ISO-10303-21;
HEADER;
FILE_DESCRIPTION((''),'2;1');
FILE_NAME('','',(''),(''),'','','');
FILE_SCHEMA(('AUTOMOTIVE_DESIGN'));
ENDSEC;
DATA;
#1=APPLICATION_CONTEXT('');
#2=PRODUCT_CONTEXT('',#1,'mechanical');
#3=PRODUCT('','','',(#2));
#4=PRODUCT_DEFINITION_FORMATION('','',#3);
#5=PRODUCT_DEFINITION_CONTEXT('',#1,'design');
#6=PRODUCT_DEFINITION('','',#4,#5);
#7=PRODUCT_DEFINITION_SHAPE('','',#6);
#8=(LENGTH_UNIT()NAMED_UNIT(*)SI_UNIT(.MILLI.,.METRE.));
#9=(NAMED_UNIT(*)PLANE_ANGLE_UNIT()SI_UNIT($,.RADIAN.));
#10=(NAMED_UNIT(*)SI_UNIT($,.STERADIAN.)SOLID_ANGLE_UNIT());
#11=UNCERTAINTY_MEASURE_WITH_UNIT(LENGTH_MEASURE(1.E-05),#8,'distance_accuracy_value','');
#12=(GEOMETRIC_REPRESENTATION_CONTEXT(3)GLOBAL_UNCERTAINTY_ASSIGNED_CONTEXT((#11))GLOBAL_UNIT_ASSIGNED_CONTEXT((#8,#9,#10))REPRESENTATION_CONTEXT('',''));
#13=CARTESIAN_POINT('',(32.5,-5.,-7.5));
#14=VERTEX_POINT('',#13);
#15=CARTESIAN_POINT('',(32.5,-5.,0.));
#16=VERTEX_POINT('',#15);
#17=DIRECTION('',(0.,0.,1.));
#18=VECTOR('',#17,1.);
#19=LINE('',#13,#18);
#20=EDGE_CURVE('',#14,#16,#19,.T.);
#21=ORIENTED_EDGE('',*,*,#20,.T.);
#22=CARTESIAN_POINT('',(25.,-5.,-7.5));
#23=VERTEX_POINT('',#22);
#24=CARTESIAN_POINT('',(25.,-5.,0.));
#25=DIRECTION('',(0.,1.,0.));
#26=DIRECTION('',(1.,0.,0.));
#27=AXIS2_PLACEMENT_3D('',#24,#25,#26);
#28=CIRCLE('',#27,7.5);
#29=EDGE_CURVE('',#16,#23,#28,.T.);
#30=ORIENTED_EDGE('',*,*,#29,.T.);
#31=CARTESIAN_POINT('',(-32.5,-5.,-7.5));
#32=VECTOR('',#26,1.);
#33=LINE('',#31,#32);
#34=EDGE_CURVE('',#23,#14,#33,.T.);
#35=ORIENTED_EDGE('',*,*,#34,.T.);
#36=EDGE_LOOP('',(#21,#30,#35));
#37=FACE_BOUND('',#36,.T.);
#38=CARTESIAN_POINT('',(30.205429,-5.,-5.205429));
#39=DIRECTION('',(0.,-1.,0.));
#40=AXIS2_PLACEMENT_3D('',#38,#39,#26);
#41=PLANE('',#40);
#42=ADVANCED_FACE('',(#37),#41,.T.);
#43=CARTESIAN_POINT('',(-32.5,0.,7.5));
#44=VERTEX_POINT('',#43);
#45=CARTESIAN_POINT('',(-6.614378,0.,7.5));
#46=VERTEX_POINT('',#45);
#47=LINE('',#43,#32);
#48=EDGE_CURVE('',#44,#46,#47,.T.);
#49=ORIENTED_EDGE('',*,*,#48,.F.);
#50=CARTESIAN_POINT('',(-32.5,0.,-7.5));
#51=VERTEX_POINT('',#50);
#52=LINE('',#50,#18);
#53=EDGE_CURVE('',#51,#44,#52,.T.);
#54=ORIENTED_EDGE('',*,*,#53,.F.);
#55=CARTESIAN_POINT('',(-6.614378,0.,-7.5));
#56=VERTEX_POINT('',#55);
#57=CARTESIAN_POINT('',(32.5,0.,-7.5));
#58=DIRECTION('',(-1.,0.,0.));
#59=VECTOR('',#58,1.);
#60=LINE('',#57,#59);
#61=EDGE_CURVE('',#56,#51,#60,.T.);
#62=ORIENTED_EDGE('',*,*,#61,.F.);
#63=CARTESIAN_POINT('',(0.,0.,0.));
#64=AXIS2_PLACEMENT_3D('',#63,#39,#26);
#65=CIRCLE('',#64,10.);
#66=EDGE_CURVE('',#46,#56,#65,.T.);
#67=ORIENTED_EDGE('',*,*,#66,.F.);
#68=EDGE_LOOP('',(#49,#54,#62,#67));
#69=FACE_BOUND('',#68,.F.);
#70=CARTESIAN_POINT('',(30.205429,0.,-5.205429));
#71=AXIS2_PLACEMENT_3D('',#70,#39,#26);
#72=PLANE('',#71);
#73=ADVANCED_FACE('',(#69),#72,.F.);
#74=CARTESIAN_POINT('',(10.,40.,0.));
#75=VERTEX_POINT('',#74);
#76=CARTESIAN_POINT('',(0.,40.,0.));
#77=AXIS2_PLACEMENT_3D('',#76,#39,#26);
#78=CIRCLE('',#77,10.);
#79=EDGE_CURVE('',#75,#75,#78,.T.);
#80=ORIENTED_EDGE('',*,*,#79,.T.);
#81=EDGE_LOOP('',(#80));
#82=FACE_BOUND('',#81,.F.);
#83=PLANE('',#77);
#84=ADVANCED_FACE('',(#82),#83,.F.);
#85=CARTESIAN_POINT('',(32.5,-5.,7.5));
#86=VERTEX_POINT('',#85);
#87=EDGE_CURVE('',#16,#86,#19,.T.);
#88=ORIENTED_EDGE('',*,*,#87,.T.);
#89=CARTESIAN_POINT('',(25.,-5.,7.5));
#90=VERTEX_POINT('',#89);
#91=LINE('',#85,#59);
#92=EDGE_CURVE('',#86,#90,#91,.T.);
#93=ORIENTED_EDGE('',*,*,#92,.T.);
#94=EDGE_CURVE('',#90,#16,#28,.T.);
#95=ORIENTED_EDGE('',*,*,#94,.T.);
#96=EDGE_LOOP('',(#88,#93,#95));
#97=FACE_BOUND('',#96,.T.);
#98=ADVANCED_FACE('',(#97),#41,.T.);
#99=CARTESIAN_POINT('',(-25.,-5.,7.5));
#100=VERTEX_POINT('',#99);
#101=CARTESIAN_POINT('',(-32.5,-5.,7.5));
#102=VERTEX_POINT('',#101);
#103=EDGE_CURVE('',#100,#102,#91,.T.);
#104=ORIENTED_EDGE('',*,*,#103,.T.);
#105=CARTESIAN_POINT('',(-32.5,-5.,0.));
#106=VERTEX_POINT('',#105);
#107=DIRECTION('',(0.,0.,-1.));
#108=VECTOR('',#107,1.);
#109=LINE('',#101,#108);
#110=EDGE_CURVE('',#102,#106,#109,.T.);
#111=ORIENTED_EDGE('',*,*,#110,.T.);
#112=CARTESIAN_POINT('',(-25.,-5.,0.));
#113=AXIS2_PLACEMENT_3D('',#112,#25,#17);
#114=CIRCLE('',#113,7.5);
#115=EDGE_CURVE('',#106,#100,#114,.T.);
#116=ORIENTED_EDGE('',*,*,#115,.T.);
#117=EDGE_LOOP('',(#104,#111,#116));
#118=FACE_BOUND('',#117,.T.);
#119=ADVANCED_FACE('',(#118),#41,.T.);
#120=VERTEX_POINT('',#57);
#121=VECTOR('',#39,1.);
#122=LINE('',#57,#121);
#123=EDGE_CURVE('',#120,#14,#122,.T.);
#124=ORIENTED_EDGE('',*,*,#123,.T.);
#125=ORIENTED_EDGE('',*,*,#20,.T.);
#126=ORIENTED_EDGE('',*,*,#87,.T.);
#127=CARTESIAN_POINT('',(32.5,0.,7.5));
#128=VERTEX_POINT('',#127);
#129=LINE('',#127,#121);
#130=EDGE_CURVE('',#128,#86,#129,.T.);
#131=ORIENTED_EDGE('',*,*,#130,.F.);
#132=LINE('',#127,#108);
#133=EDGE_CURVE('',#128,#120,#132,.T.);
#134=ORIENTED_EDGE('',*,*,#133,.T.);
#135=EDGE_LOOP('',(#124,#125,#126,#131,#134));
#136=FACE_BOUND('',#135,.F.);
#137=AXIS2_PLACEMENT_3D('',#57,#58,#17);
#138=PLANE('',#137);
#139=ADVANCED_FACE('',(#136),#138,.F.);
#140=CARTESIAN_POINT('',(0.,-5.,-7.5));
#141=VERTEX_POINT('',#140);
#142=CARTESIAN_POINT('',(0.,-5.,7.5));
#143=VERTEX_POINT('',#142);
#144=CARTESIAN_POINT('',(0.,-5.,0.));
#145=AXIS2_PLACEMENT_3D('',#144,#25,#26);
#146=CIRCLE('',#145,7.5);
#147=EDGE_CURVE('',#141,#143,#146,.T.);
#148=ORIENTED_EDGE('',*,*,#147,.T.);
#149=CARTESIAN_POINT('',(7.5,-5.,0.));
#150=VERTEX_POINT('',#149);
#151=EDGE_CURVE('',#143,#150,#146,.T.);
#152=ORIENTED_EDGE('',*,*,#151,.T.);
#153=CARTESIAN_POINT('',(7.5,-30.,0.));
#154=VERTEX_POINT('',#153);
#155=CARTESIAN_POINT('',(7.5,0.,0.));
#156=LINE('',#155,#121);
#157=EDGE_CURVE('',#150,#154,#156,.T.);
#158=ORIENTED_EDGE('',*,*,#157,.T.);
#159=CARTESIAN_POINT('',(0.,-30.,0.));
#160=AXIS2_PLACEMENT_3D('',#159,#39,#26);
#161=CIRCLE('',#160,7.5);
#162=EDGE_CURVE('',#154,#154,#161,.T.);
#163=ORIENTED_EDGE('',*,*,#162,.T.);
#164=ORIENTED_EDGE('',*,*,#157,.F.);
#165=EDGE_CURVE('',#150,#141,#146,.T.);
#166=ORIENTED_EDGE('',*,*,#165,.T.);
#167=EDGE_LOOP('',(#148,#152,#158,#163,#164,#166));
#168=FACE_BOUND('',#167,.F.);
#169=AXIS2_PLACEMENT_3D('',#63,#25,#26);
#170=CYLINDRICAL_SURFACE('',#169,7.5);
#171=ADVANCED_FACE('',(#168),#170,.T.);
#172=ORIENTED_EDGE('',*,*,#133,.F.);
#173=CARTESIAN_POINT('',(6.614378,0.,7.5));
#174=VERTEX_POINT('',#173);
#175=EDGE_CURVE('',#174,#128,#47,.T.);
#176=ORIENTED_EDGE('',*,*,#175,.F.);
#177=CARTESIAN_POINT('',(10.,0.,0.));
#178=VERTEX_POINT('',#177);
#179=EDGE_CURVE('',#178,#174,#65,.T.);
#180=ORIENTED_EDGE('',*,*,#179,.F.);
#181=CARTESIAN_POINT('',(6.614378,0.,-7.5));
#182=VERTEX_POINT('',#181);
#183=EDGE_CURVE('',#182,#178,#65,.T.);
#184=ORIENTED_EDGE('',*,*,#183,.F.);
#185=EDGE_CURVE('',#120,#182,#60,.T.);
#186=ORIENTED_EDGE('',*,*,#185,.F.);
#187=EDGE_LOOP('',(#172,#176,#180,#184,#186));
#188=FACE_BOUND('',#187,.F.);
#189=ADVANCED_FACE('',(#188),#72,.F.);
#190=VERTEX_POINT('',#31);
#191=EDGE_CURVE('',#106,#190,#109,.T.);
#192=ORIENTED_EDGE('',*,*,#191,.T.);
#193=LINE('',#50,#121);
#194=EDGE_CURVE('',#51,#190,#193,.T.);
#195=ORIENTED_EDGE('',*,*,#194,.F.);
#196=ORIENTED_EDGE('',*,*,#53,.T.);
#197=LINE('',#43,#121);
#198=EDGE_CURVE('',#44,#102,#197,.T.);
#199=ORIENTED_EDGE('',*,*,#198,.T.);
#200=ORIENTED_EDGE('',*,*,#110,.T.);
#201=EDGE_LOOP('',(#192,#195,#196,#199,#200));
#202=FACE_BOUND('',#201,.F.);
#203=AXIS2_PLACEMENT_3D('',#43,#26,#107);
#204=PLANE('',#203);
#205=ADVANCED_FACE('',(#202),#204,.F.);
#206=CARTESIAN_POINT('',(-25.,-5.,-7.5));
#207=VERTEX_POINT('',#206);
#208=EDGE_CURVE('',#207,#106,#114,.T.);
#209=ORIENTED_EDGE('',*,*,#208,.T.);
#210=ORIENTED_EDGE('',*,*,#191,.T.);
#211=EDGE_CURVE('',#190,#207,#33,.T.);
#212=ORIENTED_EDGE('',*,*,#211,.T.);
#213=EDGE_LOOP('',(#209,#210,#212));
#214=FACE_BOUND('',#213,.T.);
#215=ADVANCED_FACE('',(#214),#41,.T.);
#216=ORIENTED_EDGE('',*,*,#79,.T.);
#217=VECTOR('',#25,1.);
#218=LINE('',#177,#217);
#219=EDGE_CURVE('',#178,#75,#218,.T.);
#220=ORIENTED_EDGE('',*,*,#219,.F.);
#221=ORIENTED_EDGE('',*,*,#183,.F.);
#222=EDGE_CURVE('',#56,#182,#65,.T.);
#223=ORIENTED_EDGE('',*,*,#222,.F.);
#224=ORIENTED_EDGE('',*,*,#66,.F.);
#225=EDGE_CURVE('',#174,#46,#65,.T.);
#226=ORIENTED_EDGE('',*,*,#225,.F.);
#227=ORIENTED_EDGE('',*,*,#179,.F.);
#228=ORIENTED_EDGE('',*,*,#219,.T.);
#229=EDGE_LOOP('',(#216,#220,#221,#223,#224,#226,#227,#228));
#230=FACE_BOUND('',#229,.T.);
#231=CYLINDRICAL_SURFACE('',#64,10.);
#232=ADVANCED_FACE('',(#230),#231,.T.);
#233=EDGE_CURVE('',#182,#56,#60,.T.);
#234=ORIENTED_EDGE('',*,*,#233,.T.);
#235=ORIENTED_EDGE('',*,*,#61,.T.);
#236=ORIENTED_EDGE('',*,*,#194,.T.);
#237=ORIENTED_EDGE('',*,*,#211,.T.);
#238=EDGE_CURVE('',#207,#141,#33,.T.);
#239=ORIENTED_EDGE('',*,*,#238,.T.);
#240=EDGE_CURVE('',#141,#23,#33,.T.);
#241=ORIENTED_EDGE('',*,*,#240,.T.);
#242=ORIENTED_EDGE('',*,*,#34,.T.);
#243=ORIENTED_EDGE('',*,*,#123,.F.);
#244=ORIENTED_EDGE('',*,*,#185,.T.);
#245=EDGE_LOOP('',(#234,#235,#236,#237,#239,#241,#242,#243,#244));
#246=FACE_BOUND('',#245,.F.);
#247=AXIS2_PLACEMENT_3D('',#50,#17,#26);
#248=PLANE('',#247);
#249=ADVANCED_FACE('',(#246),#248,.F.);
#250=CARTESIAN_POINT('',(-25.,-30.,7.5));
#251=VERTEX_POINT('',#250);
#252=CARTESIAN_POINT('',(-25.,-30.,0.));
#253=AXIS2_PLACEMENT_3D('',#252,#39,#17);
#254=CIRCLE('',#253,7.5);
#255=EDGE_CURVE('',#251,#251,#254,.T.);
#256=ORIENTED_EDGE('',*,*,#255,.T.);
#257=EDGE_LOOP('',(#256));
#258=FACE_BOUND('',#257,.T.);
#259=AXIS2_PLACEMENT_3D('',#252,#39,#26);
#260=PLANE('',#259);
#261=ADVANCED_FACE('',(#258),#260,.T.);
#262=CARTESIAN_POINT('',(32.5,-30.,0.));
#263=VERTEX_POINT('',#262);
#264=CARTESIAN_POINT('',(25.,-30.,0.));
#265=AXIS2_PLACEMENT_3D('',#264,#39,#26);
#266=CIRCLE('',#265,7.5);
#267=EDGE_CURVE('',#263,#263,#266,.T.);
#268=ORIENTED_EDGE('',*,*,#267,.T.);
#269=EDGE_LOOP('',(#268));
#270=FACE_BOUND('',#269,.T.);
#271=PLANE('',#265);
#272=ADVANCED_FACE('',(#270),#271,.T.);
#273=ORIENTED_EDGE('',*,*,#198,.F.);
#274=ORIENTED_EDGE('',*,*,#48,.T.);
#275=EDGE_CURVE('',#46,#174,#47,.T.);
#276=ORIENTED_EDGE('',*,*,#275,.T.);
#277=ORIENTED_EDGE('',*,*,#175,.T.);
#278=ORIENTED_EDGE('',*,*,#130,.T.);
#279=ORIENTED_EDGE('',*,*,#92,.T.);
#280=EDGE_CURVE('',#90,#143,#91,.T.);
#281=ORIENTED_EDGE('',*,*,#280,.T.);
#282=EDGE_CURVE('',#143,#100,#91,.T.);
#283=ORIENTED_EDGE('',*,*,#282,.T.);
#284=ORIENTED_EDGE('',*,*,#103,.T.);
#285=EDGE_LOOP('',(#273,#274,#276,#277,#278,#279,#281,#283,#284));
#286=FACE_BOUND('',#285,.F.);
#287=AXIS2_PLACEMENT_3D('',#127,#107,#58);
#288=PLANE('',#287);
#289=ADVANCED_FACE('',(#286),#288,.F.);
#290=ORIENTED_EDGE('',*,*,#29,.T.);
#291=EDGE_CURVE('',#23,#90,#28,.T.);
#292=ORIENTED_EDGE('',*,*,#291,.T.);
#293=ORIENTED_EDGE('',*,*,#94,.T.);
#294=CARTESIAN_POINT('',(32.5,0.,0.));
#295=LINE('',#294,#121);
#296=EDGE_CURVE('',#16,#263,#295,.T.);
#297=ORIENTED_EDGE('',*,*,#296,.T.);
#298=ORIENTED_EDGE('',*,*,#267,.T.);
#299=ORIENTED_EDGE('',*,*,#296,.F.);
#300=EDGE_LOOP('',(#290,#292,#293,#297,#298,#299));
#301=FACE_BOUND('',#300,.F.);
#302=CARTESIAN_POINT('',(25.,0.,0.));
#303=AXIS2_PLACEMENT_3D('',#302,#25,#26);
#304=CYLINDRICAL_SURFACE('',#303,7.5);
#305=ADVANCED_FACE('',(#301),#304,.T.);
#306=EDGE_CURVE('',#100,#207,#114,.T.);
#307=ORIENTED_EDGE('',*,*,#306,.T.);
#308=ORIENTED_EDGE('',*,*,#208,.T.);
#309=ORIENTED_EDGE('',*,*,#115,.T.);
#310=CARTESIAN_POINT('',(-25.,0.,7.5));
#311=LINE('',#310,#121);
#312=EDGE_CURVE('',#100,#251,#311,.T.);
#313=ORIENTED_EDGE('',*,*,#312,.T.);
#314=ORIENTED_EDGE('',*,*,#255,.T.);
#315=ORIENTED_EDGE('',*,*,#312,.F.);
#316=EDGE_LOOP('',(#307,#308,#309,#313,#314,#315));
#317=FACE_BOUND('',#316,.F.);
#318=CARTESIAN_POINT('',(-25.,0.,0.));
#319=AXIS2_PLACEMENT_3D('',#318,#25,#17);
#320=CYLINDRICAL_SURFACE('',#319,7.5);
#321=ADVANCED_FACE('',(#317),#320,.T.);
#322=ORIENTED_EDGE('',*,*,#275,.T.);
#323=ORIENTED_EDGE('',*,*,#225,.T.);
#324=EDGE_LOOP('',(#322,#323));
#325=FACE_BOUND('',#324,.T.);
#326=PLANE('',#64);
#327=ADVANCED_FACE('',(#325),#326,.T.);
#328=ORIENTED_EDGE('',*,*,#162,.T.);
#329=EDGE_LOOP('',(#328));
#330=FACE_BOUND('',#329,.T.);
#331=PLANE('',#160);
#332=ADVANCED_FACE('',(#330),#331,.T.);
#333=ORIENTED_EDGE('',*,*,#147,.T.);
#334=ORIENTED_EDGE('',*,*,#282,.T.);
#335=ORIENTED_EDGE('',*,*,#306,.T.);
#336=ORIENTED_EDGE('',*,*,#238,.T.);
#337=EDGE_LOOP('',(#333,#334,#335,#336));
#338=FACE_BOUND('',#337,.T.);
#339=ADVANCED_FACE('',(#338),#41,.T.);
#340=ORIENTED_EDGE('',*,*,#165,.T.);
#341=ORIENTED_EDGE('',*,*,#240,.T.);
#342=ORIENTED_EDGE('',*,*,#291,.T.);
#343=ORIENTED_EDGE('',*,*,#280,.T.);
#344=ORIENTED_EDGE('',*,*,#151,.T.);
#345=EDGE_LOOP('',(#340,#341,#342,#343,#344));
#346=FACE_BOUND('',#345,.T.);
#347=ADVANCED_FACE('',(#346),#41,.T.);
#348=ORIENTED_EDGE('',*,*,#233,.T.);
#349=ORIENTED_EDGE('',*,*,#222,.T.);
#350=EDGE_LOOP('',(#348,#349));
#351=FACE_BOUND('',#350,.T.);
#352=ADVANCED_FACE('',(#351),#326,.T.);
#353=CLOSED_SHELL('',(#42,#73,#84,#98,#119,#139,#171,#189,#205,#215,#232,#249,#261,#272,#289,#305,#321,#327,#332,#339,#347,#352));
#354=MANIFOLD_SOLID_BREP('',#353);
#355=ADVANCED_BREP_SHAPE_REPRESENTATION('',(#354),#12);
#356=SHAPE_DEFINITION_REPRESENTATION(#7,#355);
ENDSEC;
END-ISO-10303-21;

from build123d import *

# Parameters (mm, degrees)
F1_DEPTH = 5
F2_DEPTH = 30
F3_R     = 10
F4_DEPTH = 40


with BuildPart() as f1:
    # F0 (on Front) → F1 (new body)
    with BuildSketch(Plane.XZ):
        with BuildLine():
            Line((25, -7.5), (32.5, -7.5))
            Line((32.5, -7.5), (32.5, 0))
            ThreePointArc((32.5, 0), (30.3033008589, -5.3033008589), (25, -7.5))
        make_face()
        with BuildLine():
            Line((-32.5, -7.5), (-25, -7.5))
            ThreePointArc((-25, -7.5), (-30.3033008589, -5.3033008589), (-32.5, 0))
            Line((-32.5, 0), (-32.5, -7.5))
        make_face()
        with BuildLine():
            ThreePointArc((25, 7.5), (30.3033008589, 5.3033008589), (32.5, 0))
            Line((32.5, 0), (32.5, 7.5))
            Line((32.5, 7.5), (25, 7.5))
        make_face()
        with BuildLine():
            Line((-32.5, 7.5), (-32.5, 0))
            ThreePointArc((-32.5, 0), (-30.3033008589, 5.3033008589), (-25, 7.5))
            Line((-25, 7.5), (-32.5, 7.5))
        make_face()
        with BuildLine():
            Line((-25, -7.5), (-2.86e-08, -7.5))
            ThreePointArc((-2.86e-08, -7.5), (-7.5, 1.43e-08), (0, 7.5))
            Line((0, 7.5), (-25, 7.5))
            ThreePointArc((-25, 7.5), (-19.6966991411, 5.3033008589), (-17.5, 0))
            ThreePointArc((-17.5, 0), (-19.6966991411, -5.3033008589), (-25, -7.5))
        make_face()
        with BuildLine():
            ThreePointArc((-32.5, 0), (-30.3033008589, -5.3033008589), (-25, -7.5))
            ThreePointArc((-25, -7.5), (-19.6966991411, -5.3033008589), (-17.5, 0))
            ThreePointArc((-17.5, 0), (-19.6966991411, 5.3033008589), (-25, 7.5))
            ThreePointArc((-25, 7.5), (-30.3033008589, 5.3033008589), (-32.5, 0))
        make_face()
        with BuildLine():
            ThreePointArc((0, 7.5), (-7.5, 1.43e-08), (-2.86e-08, -7.5))
            ThreePointArc((-2.86e-08, -7.5), (5.3033008488, -5.303300869), (7.5, 0))
            ThreePointArc((7.5, 0), (5.3033008589, 5.3033008589), (0, 7.5))
        make_face()
        with BuildLine():
            Line((-2.86e-08, -7.5), (25, -7.5))
            ThreePointArc((25, -7.5), (17.5, 0), (25, 7.5))
            Line((25, 7.5), (0, 7.5))
            ThreePointArc((0, 7.5), (5.3033008589, 5.3033008589), (7.5, 0))
            ThreePointArc((7.5, 0), (5.3033008488, -5.303300869), (-2.86e-08, -7.5))
        make_face()
        with BuildLine():
            ThreePointArc((25, 7.5), (17.5, 0), (25, -7.5))
            ThreePointArc((25, -7.5), (30.3033008589, -5.3033008589), (32.5, 0))
            ThreePointArc((32.5, 0), (30.3033008589, 5.3033008589), (25, 7.5))
        make_face()
    extrude(amount=F1_DEPTH)

    # F0 (on Front) → F2 (join)
    with BuildSketch(Plane.XZ):
        with BuildLine():
            ThreePointArc((-32.5, 0), (-30.3033008589, -5.3033008589), (-25, -7.5))
            ThreePointArc((-25, -7.5), (-19.6966991411, -5.3033008589), (-17.5, 0))
            ThreePointArc((-17.5, 0), (-19.6966991411, 5.3033008589), (-25, 7.5))
            ThreePointArc((-25, 7.5), (-30.3033008589, 5.3033008589), (-32.5, 0))
        make_face()
        with BuildLine():
            ThreePointArc((25, 7.5), (17.5, 0), (25, -7.5))
            ThreePointArc((25, -7.5), (30.3033008589, -5.3033008589), (32.5, 0))
            ThreePointArc((32.5, 0), (30.3033008589, 5.3033008589), (25, 7.5))
        make_face()
        with BuildLine():
            ThreePointArc((0, 7.5), (-7.5, 1.43e-08), (-2.86e-08, -7.5))
            ThreePointArc((-2.86e-08, -7.5), (5.3033008488, -5.303300869), (7.5, 0))
            ThreePointArc((7.5, 0), (5.3033008589, 5.3033008589), (0, 7.5))
        make_face()
    extrude(amount=F2_DEPTH)

    # F3 (on Front) → F4 (join)
    with BuildSketch(Plane.XZ):
        Circle(F3_R)
    extrude(amount=-F4_DEPTH)


solid = f1.part
